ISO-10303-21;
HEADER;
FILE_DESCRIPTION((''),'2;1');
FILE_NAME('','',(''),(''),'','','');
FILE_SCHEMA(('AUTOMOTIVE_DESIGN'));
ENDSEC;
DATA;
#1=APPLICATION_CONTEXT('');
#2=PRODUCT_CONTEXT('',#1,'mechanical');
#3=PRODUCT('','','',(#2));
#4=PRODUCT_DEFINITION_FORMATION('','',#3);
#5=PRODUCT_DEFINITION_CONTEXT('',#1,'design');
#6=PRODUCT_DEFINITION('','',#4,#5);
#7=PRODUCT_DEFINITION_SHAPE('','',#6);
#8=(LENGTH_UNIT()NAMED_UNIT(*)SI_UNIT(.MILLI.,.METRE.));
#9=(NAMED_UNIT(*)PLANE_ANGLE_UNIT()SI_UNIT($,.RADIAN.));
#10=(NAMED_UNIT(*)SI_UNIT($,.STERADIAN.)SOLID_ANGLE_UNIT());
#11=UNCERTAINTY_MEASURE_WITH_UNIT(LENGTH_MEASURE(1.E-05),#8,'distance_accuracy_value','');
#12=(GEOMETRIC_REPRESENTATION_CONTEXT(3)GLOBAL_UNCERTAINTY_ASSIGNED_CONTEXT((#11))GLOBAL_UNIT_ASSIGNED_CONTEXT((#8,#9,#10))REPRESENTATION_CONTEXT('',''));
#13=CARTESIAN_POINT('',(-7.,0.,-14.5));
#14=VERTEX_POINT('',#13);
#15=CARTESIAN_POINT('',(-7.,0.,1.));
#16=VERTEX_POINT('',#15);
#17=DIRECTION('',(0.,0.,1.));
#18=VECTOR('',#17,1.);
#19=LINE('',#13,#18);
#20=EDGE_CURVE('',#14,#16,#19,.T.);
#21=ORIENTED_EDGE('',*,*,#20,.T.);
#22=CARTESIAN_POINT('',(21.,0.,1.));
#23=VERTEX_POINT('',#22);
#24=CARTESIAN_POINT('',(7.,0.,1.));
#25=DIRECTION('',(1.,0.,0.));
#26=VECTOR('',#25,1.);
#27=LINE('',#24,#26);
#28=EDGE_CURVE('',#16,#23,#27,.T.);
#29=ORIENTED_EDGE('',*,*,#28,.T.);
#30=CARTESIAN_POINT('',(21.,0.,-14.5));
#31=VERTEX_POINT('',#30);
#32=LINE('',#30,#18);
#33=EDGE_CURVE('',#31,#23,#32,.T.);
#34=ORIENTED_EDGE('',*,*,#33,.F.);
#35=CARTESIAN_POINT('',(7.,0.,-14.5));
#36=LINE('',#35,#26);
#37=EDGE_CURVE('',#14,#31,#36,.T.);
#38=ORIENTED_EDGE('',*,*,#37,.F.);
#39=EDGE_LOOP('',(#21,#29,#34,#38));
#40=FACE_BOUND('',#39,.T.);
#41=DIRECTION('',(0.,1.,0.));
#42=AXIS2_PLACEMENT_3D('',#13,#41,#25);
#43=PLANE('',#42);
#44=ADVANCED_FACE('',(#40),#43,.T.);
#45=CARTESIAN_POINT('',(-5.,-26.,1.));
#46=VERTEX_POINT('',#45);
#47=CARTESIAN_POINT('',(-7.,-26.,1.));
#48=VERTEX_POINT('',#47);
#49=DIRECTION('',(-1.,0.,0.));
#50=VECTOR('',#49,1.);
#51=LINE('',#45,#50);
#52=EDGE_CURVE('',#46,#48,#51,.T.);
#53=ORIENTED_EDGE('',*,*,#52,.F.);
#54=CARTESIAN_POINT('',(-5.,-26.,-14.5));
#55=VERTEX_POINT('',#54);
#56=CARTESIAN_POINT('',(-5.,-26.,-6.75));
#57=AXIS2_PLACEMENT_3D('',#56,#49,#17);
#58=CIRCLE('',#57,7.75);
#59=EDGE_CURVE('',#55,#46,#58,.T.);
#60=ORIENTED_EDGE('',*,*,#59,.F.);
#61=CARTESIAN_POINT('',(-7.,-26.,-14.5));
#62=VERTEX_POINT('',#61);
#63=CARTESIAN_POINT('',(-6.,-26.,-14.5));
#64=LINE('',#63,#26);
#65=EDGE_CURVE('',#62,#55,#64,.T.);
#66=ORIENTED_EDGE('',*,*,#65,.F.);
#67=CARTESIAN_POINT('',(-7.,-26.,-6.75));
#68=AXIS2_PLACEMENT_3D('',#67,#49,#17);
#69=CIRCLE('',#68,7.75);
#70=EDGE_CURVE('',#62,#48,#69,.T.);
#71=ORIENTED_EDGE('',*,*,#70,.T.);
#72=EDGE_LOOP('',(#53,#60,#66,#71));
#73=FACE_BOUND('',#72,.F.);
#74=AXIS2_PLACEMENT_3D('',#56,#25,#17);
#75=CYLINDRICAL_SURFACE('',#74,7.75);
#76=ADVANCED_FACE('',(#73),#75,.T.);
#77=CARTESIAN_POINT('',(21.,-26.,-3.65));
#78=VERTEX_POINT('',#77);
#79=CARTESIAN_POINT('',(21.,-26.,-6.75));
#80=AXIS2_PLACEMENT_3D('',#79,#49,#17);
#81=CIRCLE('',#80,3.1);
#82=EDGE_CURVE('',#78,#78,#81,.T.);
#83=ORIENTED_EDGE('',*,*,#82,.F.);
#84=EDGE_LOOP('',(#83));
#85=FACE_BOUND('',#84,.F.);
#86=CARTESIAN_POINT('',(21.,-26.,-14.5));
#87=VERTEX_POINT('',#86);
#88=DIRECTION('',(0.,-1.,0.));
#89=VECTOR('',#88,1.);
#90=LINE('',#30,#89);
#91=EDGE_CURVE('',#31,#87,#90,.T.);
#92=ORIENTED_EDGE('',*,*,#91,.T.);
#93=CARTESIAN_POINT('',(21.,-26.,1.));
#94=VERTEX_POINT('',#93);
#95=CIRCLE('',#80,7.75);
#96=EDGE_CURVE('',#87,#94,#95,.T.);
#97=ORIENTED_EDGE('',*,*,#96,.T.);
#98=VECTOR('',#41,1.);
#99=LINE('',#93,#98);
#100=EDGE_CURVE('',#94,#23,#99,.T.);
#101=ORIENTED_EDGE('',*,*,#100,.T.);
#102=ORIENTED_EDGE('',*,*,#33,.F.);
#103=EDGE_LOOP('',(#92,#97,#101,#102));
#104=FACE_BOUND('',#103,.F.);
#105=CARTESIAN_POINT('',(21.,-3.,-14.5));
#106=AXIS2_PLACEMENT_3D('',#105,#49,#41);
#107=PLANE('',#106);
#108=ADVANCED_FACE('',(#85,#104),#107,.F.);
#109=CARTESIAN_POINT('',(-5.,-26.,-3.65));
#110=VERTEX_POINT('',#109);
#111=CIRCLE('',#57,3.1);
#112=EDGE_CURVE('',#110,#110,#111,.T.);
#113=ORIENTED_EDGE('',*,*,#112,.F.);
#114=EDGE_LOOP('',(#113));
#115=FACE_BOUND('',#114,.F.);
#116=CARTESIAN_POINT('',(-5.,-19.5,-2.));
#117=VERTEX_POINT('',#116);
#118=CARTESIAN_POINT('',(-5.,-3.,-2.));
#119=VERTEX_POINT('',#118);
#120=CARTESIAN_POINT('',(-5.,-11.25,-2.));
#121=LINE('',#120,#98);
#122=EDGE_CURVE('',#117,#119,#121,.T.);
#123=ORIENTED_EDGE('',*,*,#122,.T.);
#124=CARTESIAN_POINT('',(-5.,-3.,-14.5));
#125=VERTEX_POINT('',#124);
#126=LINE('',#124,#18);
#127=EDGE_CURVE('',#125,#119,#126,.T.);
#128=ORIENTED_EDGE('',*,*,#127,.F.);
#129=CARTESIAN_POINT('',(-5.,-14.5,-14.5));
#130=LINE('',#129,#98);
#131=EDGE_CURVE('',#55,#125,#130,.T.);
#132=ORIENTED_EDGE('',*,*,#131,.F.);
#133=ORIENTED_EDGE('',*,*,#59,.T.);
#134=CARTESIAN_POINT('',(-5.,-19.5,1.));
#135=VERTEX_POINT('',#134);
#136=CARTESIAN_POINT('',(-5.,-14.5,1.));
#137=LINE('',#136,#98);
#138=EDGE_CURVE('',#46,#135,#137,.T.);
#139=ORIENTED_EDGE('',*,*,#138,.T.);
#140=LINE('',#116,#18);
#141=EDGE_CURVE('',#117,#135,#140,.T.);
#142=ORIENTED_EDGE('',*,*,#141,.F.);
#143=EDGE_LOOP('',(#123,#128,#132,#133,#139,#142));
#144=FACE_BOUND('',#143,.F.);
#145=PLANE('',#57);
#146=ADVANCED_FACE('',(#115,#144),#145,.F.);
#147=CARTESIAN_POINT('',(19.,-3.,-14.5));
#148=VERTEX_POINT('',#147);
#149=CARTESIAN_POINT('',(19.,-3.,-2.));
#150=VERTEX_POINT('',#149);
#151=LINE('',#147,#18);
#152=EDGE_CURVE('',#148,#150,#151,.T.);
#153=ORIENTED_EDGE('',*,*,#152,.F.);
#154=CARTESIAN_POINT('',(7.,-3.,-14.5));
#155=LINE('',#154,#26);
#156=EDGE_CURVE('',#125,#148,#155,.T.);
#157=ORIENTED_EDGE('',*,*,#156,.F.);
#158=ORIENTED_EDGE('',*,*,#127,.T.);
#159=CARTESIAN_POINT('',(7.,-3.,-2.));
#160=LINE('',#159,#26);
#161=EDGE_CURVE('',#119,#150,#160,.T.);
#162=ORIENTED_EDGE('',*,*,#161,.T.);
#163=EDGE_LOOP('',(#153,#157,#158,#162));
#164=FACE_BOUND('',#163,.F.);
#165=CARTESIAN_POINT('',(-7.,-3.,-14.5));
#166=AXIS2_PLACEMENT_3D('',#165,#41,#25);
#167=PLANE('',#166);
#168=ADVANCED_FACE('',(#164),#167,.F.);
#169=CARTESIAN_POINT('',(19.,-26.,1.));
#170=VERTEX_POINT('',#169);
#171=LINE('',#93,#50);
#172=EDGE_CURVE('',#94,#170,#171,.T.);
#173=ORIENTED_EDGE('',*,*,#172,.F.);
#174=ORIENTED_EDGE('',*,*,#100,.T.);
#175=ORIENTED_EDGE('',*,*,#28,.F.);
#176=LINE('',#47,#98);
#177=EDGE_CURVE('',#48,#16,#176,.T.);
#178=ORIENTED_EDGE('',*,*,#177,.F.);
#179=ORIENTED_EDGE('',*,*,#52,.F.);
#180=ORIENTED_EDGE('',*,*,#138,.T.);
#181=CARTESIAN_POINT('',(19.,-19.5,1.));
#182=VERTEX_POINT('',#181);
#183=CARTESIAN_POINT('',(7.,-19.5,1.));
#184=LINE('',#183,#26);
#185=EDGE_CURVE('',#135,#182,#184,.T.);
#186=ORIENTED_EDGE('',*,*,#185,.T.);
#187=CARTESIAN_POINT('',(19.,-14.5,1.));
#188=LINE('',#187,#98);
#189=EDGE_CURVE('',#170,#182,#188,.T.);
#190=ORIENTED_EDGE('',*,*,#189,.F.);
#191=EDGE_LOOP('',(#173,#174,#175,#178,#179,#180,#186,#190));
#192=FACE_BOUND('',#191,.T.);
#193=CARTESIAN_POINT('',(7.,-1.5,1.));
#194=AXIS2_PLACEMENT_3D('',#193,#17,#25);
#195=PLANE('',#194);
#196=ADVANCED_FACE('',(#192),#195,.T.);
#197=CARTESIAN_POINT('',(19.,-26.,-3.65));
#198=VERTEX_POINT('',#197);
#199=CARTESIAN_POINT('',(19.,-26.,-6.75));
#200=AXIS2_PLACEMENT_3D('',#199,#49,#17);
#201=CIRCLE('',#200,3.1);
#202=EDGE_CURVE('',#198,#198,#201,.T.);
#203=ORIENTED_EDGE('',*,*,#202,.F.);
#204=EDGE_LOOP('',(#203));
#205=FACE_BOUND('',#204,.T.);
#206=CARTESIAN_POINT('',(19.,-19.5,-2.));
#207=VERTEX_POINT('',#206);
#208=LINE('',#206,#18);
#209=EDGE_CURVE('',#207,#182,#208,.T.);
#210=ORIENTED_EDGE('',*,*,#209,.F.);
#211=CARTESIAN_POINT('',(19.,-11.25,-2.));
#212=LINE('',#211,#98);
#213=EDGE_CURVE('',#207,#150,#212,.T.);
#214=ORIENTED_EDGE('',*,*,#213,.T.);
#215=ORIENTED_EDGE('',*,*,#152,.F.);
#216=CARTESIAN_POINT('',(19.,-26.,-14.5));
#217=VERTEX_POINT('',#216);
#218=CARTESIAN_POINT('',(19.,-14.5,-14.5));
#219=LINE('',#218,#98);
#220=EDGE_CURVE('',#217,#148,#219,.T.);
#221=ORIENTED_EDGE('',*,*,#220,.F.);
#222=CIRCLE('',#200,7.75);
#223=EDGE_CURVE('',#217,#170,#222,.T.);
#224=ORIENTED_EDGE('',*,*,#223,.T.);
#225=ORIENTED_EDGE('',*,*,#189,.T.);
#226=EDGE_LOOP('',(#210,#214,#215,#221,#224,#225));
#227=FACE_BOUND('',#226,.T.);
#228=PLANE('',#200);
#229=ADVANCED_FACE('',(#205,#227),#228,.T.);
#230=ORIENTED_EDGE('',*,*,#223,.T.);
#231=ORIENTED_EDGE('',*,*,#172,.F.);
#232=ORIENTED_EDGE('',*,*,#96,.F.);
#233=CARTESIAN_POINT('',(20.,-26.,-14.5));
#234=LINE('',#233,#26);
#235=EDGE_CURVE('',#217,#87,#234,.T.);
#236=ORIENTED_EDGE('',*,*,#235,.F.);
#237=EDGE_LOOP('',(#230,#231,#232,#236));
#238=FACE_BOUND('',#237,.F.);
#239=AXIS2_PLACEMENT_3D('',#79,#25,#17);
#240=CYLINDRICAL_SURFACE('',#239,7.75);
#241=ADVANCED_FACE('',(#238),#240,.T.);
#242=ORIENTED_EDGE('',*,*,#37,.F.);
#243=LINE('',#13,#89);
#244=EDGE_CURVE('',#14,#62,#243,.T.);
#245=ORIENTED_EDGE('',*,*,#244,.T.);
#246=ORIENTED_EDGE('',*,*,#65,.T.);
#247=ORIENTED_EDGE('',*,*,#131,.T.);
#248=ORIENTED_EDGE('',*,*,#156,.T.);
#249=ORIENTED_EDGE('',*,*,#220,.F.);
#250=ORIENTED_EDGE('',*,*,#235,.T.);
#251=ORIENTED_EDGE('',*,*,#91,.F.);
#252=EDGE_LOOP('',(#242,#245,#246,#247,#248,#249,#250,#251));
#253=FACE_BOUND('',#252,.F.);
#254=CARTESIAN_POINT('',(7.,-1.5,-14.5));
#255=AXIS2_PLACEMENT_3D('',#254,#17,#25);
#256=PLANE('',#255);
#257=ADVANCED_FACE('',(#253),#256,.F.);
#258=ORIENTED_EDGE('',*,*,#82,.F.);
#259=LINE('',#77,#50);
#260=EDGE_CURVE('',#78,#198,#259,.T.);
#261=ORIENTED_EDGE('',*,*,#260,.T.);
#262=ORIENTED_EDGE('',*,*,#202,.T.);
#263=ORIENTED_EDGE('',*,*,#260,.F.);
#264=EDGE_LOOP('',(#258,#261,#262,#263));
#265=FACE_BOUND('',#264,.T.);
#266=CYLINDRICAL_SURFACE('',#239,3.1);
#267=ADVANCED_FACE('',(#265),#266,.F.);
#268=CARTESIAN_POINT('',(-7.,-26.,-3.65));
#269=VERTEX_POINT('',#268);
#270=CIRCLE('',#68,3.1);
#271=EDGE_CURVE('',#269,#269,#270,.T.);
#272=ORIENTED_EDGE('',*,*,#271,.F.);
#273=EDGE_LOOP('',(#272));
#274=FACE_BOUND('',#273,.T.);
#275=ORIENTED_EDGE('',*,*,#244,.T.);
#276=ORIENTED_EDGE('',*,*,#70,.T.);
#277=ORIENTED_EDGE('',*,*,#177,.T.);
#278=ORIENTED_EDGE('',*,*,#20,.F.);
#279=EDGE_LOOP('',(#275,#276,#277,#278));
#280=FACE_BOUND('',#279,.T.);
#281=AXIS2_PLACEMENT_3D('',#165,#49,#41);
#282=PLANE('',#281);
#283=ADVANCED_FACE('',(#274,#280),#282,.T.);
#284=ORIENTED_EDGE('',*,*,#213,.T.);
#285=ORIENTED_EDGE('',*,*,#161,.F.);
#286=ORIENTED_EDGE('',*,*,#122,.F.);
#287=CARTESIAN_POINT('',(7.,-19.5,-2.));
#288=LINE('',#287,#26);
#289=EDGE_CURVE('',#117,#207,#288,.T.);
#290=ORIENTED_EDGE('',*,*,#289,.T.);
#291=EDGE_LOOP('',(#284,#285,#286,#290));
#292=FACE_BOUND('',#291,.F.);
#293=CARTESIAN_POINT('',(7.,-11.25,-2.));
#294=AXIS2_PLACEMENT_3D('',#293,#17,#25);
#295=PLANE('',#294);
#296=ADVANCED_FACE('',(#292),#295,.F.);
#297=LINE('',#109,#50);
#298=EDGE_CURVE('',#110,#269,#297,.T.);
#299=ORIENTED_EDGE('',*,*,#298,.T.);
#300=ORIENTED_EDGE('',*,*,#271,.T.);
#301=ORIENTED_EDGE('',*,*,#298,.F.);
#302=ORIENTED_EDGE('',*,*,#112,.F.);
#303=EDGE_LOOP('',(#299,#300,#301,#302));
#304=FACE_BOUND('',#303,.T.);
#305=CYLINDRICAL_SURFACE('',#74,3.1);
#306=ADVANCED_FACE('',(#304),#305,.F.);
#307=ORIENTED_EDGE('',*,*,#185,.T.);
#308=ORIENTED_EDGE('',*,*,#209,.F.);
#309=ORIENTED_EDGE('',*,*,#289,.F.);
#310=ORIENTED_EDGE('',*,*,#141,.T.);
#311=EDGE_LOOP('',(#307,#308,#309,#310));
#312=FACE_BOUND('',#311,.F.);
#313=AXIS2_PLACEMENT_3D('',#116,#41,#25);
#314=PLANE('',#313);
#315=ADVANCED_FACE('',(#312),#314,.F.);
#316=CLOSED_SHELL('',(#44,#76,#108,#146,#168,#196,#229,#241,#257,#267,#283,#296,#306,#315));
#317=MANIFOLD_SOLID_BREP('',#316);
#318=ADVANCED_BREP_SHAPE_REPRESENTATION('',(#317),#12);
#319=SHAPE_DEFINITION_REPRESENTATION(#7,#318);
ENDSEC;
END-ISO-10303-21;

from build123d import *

# Parameters (mm, degrees)
CYLINDER015_R     = 3.1
CYLINDER015_DEPTH = 2
CYLINDER014_R     = 3.1
CYLINDER014_DEPTH = 2
CYLINDER012_R     = 7.75
CYLINDER012_DEPTH = 2
BOX015_W          = 2
BOX015_H          = 23
BOX015_DEPTH      = 15.5
BOX014_W          = 2
BOX014_H          = 23
BOX014_DEPTH      = 15.5
BOX013_W          = 24
BOX013_H          = 16.5
BOX013_DEPTH      = 3
BOX012_W          = 28
BOX012_H          = 3
BOX012_DEPTH      = 15.5
CYLINDER013_R     = 7.75
CYLINDER013_DEPTH = 2


with BuildPart() as cylinder015:
    # Cylinder015 → Cylinder015 (new body)
    with BuildSketch(Plane(origin=(21, -26, -6.75), x_dir=(0, 0, 1), z_dir=(-1, 0, 0))):
        Circle(CYLINDER015_R)
    extrude(amount=CYLINDER015_DEPTH)


with BuildPart() as fusion001:
    # Cylinder014 → Cylinder014 (new body)
    with BuildSketch(Plane(origin=(-5, -26, -6.75), x_dir=(0, 0, 1), z_dir=(-1, 0, 0))):
        Circle(CYLINDER014_R)
    extrude(amount=CYLINDER014_DEPTH)

    # Fusion001: union Cylinder015
    add(cylinder015.part)


with BuildPart() as cylinder012:
    # Cylinder012 → Cylinder012 (new body)
    with BuildSketch(Plane(origin=(-5, -26, -6.75), x_dir=(0, 0, 1), z_dir=(-1, 0, 0))):
        Circle(CYLINDER012_R)
    extrude(amount=CYLINDER012_DEPTH)


with BuildPart() as cube011:
    # Box015 → Box015 (new body)
    with BuildSketch(Plane(origin=(19, -26, -14.5), x_dir=(1, 0, 0), z_dir=(0, 0, 1))):
        with Locations((1, 11.5)):
            Rectangle(BOX015_W, BOX015_H)
    extrude(amount=BOX015_DEPTH)


with BuildPart() as cube010:
    # Box014 → Box014 (new body)
    with BuildSketch(Plane(origin=(-7, -26, -14.5), x_dir=(1, 0, 0), z_dir=(0, 0, 1))):
        with Locations((1, 11.5)):
            Rectangle(BOX014_W, BOX014_H)
    extrude(amount=BOX014_DEPTH)


with BuildPart() as cube009:
    # Box013 → Box013 (new body)
    with BuildSketch(Plane(origin=(-5, -19.5, -2), x_dir=(1, 0, 0), z_dir=(0, 0, 1))):
        with Locations((12, 8.25)):
            Rectangle(BOX013_W, BOX013_H)
    extrude(amount=BOX013_DEPTH)


with BuildPart() as cube008:
    # Box012 → Box012 (new body)
    with BuildSketch(Plane(origin=(-7, -3, -14.5), x_dir=(1, 0, 0), z_dir=(0, 0, 1))):
        with Locations((14, 1.5)):
            Rectangle(BOX012_W, BOX012_H)
    extrude(amount=BOX012_DEPTH)


with BuildPart() as chain_mounter:
    # Cylinder013 → Cylinder013 (new body)
    with BuildSketch(Plane(origin=(21, -26, -6.75), x_dir=(0, 0, 1), z_dir=(-1, 0, 0))):
        Circle(CYLINDER013_R)
    extrude(amount=CYLINDER013_DEPTH)

    # Fusion: union Cylinder012, Cube011, Cube010, Cube009, Cube008
    add(cylinder012.part)
    add(cube011.part)
    add(cube010.part)
    add(cube009.part)
    add(cube008.part)

    # Cut: cut Fusion001
    add(fusion001.part, mode=Mode.SUBTRACT)


solid = chain_mounter.part
